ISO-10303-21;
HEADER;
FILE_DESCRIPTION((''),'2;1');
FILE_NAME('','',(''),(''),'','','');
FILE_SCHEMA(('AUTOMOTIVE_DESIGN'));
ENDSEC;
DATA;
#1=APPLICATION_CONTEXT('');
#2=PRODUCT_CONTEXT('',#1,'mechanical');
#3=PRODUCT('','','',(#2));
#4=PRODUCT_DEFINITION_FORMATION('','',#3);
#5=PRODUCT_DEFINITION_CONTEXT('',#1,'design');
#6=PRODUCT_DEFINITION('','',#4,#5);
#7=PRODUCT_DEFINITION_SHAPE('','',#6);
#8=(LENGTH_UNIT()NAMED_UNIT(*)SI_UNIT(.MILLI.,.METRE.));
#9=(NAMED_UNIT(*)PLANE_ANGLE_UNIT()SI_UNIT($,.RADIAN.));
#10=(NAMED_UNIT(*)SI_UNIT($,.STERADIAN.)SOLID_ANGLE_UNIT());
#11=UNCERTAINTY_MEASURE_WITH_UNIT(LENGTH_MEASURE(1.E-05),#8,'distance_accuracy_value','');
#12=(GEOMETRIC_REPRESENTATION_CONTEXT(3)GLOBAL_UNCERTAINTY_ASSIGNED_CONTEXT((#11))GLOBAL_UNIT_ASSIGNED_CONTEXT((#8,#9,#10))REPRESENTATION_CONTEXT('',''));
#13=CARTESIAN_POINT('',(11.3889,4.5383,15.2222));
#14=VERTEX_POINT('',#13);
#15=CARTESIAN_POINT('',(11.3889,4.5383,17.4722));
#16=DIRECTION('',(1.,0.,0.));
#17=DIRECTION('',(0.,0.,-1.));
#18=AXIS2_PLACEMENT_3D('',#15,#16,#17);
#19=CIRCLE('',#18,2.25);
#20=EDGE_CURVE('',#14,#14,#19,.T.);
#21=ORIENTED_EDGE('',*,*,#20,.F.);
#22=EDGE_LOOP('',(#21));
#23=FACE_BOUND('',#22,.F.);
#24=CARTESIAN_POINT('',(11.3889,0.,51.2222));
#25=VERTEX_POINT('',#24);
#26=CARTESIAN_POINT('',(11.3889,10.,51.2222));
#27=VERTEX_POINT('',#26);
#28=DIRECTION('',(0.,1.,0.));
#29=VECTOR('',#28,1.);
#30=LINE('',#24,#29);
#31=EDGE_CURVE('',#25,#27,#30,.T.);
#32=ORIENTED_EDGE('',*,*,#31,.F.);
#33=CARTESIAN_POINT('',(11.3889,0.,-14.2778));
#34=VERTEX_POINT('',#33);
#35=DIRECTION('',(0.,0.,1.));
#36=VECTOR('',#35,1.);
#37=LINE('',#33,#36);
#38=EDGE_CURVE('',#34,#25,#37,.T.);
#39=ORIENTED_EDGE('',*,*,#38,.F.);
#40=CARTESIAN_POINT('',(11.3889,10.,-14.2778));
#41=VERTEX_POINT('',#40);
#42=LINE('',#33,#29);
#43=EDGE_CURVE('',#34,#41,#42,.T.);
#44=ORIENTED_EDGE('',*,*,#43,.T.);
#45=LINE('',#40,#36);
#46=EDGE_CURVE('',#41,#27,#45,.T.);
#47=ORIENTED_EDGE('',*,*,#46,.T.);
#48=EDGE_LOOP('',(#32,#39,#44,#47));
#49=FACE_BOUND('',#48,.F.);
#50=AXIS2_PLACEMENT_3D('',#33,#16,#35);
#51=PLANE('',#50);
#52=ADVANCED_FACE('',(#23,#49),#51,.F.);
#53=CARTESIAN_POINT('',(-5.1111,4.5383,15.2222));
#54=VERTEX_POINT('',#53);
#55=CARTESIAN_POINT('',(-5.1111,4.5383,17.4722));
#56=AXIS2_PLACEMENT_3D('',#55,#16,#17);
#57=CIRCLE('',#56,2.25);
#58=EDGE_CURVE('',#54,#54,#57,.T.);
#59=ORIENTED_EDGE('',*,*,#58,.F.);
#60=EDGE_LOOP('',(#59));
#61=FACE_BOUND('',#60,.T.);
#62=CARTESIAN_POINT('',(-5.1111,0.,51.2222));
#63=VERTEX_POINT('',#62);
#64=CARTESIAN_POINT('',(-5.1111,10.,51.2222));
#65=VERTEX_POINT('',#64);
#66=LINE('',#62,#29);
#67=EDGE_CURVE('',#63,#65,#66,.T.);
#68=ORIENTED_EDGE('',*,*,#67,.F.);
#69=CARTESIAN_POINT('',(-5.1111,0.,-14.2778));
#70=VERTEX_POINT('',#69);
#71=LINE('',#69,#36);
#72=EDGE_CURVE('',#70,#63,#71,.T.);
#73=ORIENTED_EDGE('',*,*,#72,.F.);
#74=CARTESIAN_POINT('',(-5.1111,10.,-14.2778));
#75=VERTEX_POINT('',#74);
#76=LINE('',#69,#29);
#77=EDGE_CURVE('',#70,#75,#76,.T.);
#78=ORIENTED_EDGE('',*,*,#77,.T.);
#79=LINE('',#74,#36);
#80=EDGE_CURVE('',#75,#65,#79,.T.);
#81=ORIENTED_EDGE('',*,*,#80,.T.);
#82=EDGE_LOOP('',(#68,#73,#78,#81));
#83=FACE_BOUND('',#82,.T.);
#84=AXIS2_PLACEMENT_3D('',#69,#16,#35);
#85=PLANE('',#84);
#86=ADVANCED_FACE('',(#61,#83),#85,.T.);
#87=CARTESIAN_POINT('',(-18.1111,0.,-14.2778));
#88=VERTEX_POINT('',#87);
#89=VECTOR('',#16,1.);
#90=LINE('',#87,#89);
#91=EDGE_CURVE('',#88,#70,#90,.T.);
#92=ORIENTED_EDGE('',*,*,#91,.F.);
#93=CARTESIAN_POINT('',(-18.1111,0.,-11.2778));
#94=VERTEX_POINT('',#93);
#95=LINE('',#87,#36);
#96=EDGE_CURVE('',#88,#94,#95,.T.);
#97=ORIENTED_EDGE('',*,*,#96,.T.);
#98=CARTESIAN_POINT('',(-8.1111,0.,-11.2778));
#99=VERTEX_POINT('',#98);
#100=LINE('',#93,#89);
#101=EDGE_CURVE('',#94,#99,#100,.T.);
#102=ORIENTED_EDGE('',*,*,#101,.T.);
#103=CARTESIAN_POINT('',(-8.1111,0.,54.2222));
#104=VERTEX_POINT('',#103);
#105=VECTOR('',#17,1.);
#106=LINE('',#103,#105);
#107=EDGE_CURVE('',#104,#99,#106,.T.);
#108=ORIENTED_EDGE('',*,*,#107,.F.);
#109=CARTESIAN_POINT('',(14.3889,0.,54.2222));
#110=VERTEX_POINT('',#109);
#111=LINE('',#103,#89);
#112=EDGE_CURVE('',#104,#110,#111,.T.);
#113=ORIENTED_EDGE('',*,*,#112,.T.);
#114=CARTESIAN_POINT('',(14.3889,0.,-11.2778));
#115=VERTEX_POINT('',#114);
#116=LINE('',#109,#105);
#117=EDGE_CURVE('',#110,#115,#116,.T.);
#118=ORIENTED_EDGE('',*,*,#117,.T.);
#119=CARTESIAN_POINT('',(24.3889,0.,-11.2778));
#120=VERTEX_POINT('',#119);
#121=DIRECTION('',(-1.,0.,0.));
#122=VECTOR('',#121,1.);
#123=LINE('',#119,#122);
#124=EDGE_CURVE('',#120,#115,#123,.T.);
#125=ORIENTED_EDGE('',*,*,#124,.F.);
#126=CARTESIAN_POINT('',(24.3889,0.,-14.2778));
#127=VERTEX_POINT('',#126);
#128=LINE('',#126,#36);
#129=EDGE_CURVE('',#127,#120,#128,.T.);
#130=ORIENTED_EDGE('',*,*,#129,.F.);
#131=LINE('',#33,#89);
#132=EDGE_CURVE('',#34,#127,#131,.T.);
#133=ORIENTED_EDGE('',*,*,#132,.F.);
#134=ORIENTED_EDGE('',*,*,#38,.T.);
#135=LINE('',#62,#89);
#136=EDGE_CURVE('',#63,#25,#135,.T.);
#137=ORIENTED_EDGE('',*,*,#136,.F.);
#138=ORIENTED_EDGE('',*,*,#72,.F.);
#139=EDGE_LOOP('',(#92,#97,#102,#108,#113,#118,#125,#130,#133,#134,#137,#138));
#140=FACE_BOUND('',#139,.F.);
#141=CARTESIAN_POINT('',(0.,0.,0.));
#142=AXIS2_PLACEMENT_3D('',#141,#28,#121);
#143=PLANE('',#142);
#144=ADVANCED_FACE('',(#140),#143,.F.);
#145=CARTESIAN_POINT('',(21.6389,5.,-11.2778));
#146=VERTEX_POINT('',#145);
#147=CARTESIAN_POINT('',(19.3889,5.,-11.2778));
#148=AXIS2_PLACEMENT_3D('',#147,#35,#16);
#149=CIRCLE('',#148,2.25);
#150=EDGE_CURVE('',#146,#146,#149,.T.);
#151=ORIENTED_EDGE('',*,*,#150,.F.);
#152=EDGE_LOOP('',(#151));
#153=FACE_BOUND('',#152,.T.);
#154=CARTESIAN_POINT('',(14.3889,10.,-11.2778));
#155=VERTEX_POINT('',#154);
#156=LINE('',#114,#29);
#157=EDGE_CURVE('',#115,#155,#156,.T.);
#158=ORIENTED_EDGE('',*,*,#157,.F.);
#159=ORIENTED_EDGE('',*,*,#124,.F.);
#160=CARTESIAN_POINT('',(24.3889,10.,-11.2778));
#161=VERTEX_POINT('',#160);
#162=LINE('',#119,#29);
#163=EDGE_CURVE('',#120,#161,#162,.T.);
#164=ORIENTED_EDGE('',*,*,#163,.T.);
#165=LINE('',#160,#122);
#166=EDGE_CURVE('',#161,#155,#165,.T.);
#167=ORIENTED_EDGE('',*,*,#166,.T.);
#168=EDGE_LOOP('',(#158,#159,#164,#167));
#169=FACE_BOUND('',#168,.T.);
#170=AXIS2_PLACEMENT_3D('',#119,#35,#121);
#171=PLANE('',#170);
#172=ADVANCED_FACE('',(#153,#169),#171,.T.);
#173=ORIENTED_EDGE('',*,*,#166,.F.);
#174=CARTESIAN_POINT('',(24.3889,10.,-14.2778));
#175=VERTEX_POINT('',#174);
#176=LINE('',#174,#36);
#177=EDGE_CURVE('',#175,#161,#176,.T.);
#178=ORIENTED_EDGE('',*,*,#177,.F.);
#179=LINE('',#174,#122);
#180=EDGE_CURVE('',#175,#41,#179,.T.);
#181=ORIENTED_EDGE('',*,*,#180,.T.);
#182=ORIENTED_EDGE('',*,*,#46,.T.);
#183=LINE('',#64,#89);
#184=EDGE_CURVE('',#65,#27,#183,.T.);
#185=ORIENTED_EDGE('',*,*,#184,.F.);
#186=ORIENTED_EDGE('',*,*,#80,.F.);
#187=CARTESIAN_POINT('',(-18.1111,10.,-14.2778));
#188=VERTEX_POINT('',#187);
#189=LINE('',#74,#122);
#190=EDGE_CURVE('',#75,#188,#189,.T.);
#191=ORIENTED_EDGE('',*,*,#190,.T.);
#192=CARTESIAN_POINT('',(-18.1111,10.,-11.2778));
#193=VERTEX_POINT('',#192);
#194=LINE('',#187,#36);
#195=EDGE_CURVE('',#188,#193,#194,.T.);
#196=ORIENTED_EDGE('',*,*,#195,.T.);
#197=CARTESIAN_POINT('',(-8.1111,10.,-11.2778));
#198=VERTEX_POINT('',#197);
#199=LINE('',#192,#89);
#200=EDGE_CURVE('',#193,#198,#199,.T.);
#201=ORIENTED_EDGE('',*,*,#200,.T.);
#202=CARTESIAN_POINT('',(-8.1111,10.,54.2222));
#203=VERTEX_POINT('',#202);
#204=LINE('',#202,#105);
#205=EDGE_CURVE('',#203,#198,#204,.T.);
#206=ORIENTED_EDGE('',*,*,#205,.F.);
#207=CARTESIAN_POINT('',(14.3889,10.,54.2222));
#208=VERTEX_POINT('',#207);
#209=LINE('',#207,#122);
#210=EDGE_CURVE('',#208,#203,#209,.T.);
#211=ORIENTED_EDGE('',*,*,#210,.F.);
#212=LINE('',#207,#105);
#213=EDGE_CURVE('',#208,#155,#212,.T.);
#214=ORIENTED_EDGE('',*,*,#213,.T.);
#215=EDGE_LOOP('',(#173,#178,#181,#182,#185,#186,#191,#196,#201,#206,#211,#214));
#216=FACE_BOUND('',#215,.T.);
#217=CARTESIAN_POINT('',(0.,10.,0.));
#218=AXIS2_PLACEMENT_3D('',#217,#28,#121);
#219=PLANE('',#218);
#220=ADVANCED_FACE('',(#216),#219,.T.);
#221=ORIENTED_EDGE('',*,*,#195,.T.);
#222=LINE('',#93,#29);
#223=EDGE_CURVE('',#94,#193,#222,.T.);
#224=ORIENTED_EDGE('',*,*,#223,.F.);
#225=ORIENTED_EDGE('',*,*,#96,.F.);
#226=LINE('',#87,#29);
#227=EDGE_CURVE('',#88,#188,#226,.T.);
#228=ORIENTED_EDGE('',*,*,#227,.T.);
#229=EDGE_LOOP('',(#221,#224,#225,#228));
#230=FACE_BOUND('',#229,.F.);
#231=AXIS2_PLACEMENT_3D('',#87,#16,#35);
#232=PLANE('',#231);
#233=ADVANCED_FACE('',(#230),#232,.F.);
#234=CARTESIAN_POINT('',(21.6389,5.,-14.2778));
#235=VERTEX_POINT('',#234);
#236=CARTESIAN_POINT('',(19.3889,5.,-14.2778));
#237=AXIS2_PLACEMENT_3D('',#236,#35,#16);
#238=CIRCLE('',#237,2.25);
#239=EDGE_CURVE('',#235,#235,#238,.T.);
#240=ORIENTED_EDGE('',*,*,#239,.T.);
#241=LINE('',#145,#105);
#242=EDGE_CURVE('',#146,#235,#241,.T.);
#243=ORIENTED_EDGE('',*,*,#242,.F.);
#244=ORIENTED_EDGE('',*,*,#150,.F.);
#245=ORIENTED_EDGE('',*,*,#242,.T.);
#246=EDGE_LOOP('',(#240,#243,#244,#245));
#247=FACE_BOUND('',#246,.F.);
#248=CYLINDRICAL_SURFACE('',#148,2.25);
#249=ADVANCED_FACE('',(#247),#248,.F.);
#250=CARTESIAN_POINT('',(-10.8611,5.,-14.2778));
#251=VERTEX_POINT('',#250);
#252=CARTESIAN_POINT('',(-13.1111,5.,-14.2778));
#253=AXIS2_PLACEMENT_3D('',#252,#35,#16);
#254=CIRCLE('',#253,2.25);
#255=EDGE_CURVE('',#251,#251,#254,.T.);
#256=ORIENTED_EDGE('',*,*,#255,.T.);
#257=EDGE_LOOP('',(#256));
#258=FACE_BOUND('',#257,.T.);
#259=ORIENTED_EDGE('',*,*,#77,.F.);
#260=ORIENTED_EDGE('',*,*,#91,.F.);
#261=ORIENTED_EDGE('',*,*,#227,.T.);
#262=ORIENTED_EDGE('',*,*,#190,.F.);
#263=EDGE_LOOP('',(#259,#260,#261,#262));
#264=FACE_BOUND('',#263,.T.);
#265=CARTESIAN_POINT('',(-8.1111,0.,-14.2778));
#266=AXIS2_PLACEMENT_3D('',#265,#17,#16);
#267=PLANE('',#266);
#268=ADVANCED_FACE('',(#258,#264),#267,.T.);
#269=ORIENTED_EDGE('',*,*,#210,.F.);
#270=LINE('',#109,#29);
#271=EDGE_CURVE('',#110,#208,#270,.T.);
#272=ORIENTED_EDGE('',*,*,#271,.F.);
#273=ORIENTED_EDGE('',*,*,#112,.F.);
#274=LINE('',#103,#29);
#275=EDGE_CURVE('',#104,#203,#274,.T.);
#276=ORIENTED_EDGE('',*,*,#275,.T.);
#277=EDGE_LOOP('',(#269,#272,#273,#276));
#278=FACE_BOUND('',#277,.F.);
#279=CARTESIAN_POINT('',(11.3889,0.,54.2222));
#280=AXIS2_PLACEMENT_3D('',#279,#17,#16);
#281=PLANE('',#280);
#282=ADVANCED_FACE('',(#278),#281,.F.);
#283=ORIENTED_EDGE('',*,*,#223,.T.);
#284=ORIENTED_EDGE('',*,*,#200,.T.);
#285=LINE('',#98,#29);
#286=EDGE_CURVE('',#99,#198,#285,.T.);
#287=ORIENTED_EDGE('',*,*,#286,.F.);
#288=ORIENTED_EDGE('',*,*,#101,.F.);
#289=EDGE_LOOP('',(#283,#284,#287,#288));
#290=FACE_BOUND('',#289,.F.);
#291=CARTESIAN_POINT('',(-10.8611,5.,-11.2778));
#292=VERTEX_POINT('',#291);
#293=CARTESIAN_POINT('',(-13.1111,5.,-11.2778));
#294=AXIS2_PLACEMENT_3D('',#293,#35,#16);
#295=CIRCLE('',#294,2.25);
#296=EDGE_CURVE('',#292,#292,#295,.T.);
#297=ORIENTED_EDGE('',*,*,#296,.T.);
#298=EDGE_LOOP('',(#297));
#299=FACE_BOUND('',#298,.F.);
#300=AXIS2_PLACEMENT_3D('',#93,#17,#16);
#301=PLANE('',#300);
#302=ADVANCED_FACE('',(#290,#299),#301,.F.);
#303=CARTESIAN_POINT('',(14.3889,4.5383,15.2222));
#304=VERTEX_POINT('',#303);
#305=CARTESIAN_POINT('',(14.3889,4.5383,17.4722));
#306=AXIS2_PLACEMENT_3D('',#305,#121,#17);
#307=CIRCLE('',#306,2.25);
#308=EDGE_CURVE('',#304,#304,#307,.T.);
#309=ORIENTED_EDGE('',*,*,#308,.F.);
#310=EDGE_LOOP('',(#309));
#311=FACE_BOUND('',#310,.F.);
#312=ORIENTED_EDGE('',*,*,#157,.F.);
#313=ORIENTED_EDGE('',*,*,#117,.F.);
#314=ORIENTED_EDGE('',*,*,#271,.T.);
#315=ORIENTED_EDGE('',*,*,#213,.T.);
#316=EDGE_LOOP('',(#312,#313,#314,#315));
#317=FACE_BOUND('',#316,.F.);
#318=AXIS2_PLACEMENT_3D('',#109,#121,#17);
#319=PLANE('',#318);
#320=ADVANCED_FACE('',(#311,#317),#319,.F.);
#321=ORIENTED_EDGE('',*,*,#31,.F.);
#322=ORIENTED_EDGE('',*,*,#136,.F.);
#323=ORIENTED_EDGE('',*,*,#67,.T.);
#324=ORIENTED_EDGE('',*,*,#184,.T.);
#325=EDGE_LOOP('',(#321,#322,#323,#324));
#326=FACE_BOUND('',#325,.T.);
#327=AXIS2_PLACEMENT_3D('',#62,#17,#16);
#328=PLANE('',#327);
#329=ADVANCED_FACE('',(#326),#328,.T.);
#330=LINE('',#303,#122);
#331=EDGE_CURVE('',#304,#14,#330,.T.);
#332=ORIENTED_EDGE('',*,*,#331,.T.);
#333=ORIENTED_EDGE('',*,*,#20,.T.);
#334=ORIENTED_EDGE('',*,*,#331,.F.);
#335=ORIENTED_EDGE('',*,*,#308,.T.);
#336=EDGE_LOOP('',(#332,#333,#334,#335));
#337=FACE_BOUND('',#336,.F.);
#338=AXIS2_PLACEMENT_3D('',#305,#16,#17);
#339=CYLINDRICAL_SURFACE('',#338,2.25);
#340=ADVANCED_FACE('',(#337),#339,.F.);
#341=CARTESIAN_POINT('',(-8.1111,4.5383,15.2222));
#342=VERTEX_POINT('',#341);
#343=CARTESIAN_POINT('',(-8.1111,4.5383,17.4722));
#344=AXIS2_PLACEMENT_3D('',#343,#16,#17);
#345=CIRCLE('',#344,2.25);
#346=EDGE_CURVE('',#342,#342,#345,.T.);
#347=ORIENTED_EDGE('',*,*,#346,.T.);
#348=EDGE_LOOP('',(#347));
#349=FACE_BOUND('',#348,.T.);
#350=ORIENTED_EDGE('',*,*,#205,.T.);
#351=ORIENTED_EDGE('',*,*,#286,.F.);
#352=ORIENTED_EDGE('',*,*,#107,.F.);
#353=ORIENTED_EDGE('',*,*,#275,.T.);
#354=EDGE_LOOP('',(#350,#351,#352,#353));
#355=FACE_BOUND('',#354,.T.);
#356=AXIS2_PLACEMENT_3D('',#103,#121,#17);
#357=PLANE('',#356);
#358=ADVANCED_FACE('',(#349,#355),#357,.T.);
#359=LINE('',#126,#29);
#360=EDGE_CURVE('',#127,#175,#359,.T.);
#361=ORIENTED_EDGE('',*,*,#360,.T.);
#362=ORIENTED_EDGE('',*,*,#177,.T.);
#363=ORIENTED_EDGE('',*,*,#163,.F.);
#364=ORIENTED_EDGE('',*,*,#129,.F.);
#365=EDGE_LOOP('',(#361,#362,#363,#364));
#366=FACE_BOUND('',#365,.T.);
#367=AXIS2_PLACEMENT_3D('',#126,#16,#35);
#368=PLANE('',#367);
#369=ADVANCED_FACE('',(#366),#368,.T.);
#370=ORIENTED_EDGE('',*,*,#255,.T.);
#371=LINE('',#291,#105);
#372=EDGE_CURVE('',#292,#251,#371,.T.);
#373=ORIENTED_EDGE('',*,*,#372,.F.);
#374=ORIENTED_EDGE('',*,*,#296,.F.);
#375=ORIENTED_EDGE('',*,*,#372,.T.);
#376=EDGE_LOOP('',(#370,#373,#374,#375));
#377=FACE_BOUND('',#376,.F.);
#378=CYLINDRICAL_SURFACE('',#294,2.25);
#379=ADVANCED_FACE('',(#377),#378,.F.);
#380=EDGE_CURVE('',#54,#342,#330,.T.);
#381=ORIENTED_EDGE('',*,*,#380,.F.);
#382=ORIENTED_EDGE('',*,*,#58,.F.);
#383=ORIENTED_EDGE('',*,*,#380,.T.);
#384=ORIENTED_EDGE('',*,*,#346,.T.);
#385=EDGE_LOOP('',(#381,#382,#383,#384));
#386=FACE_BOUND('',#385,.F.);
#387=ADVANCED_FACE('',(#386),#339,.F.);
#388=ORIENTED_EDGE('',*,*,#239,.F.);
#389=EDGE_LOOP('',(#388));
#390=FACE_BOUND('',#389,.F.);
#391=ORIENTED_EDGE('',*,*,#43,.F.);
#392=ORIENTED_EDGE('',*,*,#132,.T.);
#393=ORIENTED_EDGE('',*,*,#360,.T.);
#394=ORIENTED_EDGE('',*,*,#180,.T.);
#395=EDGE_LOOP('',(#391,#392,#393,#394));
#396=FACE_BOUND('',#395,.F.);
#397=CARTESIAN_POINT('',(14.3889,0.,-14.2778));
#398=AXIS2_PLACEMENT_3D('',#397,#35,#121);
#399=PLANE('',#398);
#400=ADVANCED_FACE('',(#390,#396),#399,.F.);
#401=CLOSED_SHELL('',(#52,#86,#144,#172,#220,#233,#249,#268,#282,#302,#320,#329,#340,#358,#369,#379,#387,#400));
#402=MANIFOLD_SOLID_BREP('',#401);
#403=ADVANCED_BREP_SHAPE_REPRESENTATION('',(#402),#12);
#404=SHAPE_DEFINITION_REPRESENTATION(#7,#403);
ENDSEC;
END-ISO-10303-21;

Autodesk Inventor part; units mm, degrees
ref_plane "YZ Plane" through (0, 0, 0) normal (1, 0, 0) x (0, 1, 0)
ref_plane "XZ Plane" through (0, 0, 0) normal (0, 1, 0) x (-1, 0, 0)
ref_plane "XY Plane" through (0, 0, 0) normal (0, 0, 1) x (1, 0, 0)
sketch "Sketch1" plane through (0, 0, 0) normal (0, 1, 0) x (-1, 0, 0)
  line L0 (-14.3889, -14.2778) -> (-11.3889, -14.2778)
  line L1 (-11.3889, -14.2778) -> (-11.3889, 54.2222)
  line L2 (-11.3889, 54.2222) -> (-14.3889, 54.2222)
  line L3 (-14.3889, 54.2222) -> (-14.3889, -14.2778)
  line L4 (-11.3889, 54.2222) -> (5.1111, 54.2222)
  line L5 (5.1111, 54.2222) -> (5.1111, 51.2222)
  line L6 (5.1111, 51.2222) -> (-11.3889, 51.2222)
  line L7 (-11.3889, 51.2222) -> (-11.3889, 54.2222)
  line L8 (5.1111, 54.2222) -> (8.1111, 54.2222)
  line L9 (8.1111, 54.2222) -> (8.1111, -14.2778)
  line L10 (8.1111, -14.2778) -> (5.1111, -14.2778)
  line L11 (5.1111, -14.2778) -> (5.1111, 54.2222)
  line L12 (8.1111, -14.2778) -> (18.1111, -14.2778)
  line L13 (18.1111, -14.2778) -> (18.1111, -11.2778)
  line L14 (18.1111, -11.2778) -> (8.1111, -11.2778)
  line L15 (8.1111, -11.2778) -> (8.1111, -14.2778)
  line L16 (-14.3889, -14.2778) -> (-24.3889, -14.2778)
  line L17 (-24.3889, -14.2778) -> (-24.3889, -11.2778)
  line L18 (-24.3889, -11.2778) -> (-14.3889, -11.2778)
  line L19 (-14.3889, -11.2778) -> (-14.3889, -14.2778)
  point P0 (0, 0)
  dimension "d0" = 10
  dimension "d1" = 10
  dimension "d2" = 3
  dimension "d3" = 3
  dimension "d4" = 3
  dimension "d5" = 3
  dimension "d6" = 3
  dimension "d7" = 68.5
  dimension "d8" = 16.5
extrude "Extrusion1" add sketch "Sketch1" along normal blind 10
sketch "Sketch2" plane through (14.3889, 0, 54.2222) normal (1, 0, 0) x (0, 0, -1)
  line L0 (0, 10) -> (65.5, 10) projected
  line L1 (0, 0) -> (65.5, 0) projected
  line L2 (31.75, 14.4261) -> (31.75, -5.3494)
  line L3 (68.5, 0) -> (68.5, 10) projected
  circle A0 centre (36.75, 4.5383) radius 2.25
  line L4 (31.75, 4.5383) -> (48.4854, 4.5383)
  point P0 (54.2222, 0)
  dimension "d11" = 36.75
  dimension "d12" = 4.5
  dimension "d13" = 5
extrude "Extrusion2" cut sketch "Sketch2" against normal blind 40
sketch "Sketch3" plane through (14.3889, 0, -11.2778) normal (0, 0, 1) x (1, 0, 0)
  circle A0 centre (5, 5) radius 2.25
  point P0 (-14.3889, 0)
  dimension "d16" = 4.5
extrude "Extrusion3" cut sketch "Sketch3" against normal blind 3
sketch "Sketch4" plane through (-18.1111, 0, -11.2778) normal (0, 0, 1) x (1, 0, 0)
  circle A0 centre (5, 5) radius 2.25
  point P0 (18.1111, 0)
  dimension "d19" = 4.5
extrude "Extrusion4" cut sketch "Sketch4" against normal blind 3
properties part number "BarClip"
